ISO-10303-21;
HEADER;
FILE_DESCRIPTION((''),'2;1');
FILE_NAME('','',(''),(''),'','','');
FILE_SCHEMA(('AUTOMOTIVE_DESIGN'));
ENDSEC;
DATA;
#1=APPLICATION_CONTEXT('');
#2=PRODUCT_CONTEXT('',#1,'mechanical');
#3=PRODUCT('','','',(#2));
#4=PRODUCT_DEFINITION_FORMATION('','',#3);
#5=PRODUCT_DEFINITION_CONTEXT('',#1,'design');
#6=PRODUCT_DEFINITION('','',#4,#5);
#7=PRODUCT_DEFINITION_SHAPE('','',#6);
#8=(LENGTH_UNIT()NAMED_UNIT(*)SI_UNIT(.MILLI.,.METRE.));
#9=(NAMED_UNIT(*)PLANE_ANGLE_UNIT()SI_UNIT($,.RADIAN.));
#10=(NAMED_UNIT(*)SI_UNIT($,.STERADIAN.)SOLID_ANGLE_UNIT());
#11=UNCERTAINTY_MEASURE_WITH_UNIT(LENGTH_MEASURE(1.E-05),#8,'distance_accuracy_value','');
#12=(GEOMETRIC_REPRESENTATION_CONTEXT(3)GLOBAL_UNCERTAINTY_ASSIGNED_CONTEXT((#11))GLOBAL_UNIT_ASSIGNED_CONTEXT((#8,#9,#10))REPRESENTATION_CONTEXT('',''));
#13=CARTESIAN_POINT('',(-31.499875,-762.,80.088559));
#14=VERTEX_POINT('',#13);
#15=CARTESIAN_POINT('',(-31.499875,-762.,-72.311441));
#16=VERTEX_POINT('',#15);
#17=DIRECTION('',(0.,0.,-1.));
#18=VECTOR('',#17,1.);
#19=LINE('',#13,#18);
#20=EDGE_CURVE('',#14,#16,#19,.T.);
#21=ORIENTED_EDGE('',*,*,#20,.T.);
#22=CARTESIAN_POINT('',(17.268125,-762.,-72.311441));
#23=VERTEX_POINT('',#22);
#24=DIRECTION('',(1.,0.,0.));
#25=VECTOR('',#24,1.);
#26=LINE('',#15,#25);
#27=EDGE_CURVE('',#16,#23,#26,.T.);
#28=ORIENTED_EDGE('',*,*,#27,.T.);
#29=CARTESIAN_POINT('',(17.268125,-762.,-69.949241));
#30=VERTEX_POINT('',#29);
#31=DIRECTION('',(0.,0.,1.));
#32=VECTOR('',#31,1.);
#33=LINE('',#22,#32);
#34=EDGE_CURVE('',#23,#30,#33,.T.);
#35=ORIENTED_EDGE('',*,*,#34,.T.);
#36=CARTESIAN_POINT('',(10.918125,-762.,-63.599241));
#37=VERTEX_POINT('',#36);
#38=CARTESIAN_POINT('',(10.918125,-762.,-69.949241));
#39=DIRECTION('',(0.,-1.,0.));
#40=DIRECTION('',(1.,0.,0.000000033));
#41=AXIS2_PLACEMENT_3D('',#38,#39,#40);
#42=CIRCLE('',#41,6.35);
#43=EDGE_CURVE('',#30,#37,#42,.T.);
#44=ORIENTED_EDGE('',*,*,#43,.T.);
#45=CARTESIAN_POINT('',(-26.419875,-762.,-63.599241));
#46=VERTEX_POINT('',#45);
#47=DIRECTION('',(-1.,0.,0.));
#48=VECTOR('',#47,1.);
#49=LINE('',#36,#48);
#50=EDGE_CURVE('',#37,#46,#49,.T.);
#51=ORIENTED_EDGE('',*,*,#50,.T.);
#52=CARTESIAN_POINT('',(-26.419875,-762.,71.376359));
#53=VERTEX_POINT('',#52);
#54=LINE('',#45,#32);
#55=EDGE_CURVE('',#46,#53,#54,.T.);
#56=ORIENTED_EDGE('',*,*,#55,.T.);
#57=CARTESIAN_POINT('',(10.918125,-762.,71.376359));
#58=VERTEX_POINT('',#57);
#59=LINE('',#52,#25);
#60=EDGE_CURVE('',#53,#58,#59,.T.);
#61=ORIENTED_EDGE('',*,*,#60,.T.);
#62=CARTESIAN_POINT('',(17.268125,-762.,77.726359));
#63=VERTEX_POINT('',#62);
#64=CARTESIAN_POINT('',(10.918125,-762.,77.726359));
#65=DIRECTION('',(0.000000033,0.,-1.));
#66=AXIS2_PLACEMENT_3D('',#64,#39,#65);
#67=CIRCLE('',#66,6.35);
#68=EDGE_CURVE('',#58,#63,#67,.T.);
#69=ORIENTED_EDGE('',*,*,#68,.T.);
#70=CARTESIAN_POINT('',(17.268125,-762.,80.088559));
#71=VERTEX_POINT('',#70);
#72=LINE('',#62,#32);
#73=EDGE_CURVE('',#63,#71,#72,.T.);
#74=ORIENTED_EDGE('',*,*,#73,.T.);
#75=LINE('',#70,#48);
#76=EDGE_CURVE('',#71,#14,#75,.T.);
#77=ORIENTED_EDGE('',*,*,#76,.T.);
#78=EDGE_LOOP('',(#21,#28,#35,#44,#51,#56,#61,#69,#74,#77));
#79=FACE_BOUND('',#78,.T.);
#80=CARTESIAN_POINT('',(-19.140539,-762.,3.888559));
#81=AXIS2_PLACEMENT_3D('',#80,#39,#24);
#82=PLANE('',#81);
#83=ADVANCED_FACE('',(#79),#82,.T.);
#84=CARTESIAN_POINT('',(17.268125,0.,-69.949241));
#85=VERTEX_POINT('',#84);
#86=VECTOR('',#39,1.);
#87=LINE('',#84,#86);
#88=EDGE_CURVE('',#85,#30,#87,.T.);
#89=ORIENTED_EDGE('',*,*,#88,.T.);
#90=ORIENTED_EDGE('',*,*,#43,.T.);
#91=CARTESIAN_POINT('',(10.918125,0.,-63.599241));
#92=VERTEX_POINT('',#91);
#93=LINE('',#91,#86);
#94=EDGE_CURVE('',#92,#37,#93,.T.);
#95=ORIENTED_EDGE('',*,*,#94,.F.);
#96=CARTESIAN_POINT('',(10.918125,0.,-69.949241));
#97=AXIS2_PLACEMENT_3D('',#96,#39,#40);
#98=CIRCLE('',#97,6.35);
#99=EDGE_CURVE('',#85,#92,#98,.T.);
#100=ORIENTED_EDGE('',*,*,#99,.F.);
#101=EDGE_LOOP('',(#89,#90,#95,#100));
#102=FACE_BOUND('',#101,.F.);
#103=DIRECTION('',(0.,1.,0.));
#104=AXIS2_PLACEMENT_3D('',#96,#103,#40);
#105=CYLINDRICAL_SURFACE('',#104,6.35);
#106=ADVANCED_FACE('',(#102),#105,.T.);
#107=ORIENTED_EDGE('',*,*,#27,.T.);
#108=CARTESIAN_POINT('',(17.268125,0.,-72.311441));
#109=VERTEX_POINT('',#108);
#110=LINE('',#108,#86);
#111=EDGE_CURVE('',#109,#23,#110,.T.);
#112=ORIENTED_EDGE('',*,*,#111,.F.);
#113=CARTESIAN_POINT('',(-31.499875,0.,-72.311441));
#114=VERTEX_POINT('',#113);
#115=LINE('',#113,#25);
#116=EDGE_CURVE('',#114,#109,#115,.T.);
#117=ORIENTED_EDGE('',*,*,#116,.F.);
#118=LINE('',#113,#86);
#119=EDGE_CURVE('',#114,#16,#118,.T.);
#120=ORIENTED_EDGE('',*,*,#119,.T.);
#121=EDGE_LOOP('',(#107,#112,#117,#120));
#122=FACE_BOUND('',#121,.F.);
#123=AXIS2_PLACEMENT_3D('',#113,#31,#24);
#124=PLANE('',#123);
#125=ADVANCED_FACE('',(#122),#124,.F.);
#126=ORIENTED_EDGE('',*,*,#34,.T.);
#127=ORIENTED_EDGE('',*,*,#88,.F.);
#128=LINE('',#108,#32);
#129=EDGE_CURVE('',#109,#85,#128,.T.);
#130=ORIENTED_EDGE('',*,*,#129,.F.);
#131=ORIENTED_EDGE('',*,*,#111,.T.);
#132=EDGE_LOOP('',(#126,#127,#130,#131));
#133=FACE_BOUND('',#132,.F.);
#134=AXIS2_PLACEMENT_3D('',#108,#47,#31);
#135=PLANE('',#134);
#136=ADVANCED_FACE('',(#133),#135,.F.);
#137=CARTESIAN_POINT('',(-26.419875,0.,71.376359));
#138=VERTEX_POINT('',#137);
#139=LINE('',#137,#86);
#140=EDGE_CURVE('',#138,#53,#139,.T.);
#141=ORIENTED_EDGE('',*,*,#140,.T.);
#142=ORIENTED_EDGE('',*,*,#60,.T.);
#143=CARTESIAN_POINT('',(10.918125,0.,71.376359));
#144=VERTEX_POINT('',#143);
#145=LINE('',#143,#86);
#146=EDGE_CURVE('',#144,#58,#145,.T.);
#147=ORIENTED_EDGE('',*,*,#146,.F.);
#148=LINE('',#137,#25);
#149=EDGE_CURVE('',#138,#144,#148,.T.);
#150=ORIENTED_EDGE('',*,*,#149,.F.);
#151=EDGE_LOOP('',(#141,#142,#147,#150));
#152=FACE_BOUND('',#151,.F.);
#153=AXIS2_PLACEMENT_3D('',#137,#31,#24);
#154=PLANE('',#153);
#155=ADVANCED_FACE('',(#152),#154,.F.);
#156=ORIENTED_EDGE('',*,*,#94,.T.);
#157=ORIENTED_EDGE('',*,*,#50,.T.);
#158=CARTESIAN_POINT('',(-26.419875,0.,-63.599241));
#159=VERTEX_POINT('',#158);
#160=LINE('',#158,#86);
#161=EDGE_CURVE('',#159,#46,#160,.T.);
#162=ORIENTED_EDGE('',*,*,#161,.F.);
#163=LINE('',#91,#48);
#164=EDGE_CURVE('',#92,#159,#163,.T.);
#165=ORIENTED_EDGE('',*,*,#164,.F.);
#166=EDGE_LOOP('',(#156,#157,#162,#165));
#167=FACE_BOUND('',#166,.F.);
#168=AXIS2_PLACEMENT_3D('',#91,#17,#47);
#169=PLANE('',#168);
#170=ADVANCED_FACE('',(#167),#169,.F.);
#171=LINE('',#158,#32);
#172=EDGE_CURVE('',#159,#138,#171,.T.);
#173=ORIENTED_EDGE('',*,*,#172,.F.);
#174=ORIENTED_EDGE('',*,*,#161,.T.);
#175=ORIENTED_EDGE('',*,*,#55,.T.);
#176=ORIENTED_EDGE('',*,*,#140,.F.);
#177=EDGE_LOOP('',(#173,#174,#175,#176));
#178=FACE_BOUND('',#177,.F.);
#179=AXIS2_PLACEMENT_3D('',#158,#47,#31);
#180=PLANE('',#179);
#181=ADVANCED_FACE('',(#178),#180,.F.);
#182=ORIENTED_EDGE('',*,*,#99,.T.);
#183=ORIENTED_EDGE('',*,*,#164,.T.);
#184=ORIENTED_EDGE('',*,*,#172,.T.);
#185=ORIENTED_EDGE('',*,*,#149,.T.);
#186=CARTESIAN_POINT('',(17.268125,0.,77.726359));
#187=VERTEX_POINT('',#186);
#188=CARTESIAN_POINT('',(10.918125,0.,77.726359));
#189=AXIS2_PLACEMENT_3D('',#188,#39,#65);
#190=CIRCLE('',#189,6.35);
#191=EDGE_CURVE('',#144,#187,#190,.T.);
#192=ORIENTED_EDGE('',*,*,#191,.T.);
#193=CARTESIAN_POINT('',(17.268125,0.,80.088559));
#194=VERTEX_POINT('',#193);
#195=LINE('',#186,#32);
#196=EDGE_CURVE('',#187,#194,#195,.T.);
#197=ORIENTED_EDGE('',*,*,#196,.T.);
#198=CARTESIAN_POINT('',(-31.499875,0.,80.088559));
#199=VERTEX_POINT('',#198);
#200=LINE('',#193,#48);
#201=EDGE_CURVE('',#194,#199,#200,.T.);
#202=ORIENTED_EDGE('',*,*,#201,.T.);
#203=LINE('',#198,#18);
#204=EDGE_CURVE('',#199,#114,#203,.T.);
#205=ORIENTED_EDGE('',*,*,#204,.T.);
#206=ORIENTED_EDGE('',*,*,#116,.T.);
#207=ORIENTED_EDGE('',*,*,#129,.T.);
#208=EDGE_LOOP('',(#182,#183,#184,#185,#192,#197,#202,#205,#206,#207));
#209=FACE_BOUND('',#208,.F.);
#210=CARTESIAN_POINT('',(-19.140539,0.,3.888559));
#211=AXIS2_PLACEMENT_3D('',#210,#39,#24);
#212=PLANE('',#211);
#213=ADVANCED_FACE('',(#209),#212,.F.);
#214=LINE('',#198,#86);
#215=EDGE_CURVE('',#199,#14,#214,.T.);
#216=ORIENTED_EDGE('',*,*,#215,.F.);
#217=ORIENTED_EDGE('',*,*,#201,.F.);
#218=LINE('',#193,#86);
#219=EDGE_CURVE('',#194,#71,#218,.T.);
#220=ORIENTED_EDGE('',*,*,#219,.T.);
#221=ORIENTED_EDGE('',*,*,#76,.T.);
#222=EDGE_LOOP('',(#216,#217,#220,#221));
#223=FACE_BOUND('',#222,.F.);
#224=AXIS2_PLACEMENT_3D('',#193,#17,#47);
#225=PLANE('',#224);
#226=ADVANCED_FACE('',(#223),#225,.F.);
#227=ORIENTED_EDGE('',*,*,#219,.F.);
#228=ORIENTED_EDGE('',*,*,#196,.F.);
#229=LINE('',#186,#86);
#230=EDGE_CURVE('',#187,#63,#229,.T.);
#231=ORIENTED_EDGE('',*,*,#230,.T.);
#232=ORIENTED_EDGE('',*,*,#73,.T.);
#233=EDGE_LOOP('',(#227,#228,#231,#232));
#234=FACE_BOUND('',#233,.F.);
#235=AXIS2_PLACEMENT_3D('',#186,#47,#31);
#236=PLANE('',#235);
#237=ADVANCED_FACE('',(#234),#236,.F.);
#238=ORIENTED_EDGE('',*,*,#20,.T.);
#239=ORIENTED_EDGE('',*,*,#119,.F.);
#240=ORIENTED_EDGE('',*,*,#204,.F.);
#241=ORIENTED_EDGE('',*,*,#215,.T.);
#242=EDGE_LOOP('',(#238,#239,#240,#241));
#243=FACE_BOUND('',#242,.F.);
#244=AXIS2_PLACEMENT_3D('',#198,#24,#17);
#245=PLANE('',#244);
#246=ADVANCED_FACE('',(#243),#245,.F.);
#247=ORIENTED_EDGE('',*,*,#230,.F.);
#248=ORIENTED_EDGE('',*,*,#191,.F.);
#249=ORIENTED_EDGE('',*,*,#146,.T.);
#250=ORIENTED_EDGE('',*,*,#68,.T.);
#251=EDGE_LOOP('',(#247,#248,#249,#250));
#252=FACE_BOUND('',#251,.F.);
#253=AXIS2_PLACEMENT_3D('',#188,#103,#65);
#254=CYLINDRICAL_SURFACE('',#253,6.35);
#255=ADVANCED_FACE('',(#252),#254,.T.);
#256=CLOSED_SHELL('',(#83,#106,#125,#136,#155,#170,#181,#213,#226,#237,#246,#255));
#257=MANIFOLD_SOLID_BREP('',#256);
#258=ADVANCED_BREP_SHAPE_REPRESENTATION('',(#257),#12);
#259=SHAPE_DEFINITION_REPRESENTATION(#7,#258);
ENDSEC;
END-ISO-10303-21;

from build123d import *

# Parameters (mm, degrees)
F1_DEPTH = 762


with BuildPart() as f1:
    # F0 (on Front) → F1 (new body)
    with BuildSketch(Plane.XZ):
        with BuildLine():
            Line((-31.499875, 80.088559), (-31.499875, 72.680225))
            Line((-31.499875, 72.680225), (-31.499875, -72.311441))
            Line((-31.499875, -72.311441), (17.268125, -72.311441))
            Line((17.268125, -72.311441), (17.268125, -69.949241))
            ThreePointArc((17.268125, -69.949241), (15.408253, -65.459113), (10.918125, -63.599241))
            Line((10.918125, -63.599241), (-26.419875, -63.599241))
            Line((-26.419875, -63.599241), (-26.419875, 71.376359))
            Line((-26.419875, 71.376359), (10.918125, 71.376359))
            ThreePointArc((10.918125, 71.376359), (15.408253, 73.236231), (17.268125, 77.726359))
            Line((17.268125, 77.726359), (17.268125, 80.088559))
            Line((17.268125, 80.088559), (-31.499875, 80.088559))
        make_face()
    extrude(amount=F1_DEPTH)


solid = f1.part
